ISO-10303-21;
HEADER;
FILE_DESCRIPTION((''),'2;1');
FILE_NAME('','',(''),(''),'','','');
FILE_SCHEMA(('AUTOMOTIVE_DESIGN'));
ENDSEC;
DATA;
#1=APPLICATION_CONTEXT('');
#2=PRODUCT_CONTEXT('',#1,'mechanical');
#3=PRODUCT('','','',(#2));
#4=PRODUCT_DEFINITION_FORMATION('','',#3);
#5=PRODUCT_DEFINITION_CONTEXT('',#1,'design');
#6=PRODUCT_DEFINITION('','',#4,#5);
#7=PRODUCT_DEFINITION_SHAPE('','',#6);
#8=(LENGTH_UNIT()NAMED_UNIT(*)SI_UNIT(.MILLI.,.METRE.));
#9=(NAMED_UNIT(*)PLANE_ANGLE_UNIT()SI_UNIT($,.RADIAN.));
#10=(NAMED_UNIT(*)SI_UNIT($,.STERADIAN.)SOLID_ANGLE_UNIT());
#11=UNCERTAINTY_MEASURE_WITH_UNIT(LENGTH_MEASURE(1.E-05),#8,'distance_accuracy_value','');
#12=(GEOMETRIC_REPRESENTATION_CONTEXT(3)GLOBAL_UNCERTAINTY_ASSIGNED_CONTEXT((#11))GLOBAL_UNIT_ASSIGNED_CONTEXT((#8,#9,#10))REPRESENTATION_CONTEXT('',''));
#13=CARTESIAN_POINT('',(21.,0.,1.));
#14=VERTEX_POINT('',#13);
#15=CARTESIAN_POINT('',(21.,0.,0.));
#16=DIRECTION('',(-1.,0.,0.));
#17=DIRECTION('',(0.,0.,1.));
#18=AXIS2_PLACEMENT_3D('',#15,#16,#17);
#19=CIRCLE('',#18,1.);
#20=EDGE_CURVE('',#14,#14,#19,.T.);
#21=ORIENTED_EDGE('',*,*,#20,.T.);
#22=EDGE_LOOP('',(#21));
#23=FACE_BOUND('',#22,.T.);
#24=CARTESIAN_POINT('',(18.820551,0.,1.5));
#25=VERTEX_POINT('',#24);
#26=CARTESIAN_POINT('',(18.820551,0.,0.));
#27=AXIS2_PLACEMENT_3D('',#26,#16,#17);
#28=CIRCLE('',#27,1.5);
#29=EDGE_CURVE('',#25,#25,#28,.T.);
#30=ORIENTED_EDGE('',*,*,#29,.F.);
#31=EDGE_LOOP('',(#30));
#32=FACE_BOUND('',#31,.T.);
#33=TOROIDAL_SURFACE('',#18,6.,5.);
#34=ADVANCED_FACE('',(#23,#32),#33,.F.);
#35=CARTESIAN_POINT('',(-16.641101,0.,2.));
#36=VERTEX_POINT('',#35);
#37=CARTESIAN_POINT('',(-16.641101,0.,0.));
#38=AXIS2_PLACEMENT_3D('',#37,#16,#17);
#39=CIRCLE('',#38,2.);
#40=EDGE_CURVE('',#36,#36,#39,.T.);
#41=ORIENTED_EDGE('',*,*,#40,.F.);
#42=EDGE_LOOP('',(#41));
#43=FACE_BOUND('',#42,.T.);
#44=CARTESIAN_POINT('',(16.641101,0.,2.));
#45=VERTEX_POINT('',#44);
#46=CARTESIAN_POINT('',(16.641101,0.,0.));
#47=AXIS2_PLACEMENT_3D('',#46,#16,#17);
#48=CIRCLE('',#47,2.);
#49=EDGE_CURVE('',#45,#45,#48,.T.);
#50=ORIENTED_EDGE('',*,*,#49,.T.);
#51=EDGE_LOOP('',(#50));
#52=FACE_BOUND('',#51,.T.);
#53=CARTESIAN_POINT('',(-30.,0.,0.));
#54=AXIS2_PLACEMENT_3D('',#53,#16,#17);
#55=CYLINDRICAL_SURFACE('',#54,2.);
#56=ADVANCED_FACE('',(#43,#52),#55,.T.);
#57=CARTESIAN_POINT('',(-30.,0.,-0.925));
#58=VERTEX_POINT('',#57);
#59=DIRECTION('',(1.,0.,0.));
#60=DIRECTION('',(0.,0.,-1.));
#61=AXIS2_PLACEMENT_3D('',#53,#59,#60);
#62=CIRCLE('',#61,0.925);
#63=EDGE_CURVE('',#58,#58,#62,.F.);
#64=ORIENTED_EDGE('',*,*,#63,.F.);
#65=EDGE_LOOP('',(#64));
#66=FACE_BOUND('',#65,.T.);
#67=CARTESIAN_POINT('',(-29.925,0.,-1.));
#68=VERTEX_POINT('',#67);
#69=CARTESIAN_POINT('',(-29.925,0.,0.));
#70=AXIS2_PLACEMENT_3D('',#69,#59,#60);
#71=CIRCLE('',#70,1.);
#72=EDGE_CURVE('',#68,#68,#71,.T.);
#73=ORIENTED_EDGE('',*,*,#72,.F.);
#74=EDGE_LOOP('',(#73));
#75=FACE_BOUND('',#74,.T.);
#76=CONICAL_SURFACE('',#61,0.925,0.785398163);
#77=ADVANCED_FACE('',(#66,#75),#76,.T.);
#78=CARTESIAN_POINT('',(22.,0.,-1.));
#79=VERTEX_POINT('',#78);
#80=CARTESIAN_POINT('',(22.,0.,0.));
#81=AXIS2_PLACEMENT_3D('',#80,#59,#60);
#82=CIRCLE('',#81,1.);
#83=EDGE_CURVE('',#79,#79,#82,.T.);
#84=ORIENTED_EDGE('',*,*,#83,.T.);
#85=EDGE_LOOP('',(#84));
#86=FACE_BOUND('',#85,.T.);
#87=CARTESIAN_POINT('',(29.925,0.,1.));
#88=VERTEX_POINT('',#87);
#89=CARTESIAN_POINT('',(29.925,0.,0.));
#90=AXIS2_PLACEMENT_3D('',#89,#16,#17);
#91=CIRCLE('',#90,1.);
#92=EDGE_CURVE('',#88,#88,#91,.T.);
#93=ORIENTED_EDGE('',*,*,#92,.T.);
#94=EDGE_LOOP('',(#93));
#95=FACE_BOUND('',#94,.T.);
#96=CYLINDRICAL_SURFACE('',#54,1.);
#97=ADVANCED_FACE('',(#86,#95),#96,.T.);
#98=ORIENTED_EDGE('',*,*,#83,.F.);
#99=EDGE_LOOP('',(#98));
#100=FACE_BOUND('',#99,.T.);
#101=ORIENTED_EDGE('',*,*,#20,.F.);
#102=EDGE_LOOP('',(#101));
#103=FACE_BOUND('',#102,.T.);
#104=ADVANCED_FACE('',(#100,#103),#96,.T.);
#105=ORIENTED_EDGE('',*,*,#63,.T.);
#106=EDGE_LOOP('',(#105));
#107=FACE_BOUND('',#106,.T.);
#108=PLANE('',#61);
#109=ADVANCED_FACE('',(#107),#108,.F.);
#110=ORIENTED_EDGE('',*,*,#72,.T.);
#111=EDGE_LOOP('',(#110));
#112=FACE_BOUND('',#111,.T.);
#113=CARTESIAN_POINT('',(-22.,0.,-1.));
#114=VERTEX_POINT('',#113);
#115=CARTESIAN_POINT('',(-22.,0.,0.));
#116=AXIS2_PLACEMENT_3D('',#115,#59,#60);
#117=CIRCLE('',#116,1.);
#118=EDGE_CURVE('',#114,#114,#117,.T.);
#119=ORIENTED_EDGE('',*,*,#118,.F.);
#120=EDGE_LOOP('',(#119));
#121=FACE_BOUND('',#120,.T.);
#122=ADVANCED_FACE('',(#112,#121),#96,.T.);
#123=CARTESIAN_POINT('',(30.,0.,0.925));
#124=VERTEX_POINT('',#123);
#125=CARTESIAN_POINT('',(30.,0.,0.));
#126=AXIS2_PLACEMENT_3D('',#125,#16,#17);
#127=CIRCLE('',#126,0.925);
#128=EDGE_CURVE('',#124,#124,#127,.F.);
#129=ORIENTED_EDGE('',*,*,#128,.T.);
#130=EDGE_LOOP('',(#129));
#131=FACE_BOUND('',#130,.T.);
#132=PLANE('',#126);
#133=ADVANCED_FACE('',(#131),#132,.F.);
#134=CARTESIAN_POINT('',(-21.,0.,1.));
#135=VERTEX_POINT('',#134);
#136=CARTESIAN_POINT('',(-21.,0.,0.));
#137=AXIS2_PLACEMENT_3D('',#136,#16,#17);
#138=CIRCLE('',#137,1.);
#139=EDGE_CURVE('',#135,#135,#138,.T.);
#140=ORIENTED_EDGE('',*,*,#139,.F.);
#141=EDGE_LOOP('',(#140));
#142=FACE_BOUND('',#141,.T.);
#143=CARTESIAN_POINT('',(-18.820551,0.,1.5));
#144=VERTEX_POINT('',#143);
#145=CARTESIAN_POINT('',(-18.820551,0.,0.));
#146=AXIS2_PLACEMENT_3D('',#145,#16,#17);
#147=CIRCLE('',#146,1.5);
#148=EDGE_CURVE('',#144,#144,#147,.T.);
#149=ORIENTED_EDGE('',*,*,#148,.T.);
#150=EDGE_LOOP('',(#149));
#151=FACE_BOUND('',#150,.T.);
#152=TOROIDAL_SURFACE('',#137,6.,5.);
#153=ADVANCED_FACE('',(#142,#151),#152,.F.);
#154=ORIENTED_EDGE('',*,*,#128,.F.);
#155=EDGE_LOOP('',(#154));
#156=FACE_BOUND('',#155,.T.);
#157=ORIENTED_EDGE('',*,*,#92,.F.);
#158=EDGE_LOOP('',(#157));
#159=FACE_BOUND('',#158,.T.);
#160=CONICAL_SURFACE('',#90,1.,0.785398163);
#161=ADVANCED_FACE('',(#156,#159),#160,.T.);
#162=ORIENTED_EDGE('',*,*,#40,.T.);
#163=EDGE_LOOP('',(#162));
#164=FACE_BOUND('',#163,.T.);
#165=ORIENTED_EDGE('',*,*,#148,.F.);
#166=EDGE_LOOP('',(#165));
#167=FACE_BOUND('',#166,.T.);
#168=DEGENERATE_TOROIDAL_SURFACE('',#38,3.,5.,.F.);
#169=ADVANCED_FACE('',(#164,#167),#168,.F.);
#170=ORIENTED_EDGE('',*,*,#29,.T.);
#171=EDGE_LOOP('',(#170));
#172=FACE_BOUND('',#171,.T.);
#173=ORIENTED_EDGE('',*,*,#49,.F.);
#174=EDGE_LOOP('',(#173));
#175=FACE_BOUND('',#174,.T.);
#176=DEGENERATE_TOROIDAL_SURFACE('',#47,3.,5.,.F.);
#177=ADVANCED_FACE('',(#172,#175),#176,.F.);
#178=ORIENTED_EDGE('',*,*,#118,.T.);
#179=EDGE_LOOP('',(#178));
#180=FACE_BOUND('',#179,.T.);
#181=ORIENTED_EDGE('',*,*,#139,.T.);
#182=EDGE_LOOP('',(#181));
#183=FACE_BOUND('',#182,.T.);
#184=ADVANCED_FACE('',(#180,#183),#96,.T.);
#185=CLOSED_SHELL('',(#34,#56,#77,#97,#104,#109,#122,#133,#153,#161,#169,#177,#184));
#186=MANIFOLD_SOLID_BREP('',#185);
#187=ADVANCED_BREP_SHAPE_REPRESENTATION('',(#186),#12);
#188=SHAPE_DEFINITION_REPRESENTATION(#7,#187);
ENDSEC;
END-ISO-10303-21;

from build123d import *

# Parameters (mm, degrees)
CHAMFER1_SIZE = 0.075


with BuildPart() as part:
    # Sketch1 → Revolve1 (revolve)
    with BuildSketch(Plane.XY):
        with BuildLine():
            Line((-30, 0), (30, 0))
            Line((30, 0), (30, 1))
            Line((30, 1), (21, 1))
            ThreePointArc((21, 1), (19.881966011, 1.126602828), (18.820550528, 1.5))
            ThreePointArc((18.820550528, 1.5), (17.759135045, 1.873397172), (16.641101056, 2))
            Line((16.641101056, 2), (-16.641101056, 2))
            ThreePointArc((-16.641101056, 2), (-17.759135045, 1.873397172), (-18.820550528, 1.5))
            ThreePointArc((-18.820550528, 1.5), (-19.881966011, 1.126602828), (-21, 1))
            Line((-21, 1), (-30, 1))
            Line((-30, 1), (-30, 0))
        make_face()
    revolve(axis=Axis((-30, 0, 0), (1, 0, 0)))

    # Chamfer1
    chamfer1_edges = [part.edges().sort_by_distance(p)[0] for p in [
        (-30, -1, 0),
        (30, -1, 0),
    ]]
    chamfer(chamfer1_edges, length=CHAMFER1_SIZE)


solid = part.part
